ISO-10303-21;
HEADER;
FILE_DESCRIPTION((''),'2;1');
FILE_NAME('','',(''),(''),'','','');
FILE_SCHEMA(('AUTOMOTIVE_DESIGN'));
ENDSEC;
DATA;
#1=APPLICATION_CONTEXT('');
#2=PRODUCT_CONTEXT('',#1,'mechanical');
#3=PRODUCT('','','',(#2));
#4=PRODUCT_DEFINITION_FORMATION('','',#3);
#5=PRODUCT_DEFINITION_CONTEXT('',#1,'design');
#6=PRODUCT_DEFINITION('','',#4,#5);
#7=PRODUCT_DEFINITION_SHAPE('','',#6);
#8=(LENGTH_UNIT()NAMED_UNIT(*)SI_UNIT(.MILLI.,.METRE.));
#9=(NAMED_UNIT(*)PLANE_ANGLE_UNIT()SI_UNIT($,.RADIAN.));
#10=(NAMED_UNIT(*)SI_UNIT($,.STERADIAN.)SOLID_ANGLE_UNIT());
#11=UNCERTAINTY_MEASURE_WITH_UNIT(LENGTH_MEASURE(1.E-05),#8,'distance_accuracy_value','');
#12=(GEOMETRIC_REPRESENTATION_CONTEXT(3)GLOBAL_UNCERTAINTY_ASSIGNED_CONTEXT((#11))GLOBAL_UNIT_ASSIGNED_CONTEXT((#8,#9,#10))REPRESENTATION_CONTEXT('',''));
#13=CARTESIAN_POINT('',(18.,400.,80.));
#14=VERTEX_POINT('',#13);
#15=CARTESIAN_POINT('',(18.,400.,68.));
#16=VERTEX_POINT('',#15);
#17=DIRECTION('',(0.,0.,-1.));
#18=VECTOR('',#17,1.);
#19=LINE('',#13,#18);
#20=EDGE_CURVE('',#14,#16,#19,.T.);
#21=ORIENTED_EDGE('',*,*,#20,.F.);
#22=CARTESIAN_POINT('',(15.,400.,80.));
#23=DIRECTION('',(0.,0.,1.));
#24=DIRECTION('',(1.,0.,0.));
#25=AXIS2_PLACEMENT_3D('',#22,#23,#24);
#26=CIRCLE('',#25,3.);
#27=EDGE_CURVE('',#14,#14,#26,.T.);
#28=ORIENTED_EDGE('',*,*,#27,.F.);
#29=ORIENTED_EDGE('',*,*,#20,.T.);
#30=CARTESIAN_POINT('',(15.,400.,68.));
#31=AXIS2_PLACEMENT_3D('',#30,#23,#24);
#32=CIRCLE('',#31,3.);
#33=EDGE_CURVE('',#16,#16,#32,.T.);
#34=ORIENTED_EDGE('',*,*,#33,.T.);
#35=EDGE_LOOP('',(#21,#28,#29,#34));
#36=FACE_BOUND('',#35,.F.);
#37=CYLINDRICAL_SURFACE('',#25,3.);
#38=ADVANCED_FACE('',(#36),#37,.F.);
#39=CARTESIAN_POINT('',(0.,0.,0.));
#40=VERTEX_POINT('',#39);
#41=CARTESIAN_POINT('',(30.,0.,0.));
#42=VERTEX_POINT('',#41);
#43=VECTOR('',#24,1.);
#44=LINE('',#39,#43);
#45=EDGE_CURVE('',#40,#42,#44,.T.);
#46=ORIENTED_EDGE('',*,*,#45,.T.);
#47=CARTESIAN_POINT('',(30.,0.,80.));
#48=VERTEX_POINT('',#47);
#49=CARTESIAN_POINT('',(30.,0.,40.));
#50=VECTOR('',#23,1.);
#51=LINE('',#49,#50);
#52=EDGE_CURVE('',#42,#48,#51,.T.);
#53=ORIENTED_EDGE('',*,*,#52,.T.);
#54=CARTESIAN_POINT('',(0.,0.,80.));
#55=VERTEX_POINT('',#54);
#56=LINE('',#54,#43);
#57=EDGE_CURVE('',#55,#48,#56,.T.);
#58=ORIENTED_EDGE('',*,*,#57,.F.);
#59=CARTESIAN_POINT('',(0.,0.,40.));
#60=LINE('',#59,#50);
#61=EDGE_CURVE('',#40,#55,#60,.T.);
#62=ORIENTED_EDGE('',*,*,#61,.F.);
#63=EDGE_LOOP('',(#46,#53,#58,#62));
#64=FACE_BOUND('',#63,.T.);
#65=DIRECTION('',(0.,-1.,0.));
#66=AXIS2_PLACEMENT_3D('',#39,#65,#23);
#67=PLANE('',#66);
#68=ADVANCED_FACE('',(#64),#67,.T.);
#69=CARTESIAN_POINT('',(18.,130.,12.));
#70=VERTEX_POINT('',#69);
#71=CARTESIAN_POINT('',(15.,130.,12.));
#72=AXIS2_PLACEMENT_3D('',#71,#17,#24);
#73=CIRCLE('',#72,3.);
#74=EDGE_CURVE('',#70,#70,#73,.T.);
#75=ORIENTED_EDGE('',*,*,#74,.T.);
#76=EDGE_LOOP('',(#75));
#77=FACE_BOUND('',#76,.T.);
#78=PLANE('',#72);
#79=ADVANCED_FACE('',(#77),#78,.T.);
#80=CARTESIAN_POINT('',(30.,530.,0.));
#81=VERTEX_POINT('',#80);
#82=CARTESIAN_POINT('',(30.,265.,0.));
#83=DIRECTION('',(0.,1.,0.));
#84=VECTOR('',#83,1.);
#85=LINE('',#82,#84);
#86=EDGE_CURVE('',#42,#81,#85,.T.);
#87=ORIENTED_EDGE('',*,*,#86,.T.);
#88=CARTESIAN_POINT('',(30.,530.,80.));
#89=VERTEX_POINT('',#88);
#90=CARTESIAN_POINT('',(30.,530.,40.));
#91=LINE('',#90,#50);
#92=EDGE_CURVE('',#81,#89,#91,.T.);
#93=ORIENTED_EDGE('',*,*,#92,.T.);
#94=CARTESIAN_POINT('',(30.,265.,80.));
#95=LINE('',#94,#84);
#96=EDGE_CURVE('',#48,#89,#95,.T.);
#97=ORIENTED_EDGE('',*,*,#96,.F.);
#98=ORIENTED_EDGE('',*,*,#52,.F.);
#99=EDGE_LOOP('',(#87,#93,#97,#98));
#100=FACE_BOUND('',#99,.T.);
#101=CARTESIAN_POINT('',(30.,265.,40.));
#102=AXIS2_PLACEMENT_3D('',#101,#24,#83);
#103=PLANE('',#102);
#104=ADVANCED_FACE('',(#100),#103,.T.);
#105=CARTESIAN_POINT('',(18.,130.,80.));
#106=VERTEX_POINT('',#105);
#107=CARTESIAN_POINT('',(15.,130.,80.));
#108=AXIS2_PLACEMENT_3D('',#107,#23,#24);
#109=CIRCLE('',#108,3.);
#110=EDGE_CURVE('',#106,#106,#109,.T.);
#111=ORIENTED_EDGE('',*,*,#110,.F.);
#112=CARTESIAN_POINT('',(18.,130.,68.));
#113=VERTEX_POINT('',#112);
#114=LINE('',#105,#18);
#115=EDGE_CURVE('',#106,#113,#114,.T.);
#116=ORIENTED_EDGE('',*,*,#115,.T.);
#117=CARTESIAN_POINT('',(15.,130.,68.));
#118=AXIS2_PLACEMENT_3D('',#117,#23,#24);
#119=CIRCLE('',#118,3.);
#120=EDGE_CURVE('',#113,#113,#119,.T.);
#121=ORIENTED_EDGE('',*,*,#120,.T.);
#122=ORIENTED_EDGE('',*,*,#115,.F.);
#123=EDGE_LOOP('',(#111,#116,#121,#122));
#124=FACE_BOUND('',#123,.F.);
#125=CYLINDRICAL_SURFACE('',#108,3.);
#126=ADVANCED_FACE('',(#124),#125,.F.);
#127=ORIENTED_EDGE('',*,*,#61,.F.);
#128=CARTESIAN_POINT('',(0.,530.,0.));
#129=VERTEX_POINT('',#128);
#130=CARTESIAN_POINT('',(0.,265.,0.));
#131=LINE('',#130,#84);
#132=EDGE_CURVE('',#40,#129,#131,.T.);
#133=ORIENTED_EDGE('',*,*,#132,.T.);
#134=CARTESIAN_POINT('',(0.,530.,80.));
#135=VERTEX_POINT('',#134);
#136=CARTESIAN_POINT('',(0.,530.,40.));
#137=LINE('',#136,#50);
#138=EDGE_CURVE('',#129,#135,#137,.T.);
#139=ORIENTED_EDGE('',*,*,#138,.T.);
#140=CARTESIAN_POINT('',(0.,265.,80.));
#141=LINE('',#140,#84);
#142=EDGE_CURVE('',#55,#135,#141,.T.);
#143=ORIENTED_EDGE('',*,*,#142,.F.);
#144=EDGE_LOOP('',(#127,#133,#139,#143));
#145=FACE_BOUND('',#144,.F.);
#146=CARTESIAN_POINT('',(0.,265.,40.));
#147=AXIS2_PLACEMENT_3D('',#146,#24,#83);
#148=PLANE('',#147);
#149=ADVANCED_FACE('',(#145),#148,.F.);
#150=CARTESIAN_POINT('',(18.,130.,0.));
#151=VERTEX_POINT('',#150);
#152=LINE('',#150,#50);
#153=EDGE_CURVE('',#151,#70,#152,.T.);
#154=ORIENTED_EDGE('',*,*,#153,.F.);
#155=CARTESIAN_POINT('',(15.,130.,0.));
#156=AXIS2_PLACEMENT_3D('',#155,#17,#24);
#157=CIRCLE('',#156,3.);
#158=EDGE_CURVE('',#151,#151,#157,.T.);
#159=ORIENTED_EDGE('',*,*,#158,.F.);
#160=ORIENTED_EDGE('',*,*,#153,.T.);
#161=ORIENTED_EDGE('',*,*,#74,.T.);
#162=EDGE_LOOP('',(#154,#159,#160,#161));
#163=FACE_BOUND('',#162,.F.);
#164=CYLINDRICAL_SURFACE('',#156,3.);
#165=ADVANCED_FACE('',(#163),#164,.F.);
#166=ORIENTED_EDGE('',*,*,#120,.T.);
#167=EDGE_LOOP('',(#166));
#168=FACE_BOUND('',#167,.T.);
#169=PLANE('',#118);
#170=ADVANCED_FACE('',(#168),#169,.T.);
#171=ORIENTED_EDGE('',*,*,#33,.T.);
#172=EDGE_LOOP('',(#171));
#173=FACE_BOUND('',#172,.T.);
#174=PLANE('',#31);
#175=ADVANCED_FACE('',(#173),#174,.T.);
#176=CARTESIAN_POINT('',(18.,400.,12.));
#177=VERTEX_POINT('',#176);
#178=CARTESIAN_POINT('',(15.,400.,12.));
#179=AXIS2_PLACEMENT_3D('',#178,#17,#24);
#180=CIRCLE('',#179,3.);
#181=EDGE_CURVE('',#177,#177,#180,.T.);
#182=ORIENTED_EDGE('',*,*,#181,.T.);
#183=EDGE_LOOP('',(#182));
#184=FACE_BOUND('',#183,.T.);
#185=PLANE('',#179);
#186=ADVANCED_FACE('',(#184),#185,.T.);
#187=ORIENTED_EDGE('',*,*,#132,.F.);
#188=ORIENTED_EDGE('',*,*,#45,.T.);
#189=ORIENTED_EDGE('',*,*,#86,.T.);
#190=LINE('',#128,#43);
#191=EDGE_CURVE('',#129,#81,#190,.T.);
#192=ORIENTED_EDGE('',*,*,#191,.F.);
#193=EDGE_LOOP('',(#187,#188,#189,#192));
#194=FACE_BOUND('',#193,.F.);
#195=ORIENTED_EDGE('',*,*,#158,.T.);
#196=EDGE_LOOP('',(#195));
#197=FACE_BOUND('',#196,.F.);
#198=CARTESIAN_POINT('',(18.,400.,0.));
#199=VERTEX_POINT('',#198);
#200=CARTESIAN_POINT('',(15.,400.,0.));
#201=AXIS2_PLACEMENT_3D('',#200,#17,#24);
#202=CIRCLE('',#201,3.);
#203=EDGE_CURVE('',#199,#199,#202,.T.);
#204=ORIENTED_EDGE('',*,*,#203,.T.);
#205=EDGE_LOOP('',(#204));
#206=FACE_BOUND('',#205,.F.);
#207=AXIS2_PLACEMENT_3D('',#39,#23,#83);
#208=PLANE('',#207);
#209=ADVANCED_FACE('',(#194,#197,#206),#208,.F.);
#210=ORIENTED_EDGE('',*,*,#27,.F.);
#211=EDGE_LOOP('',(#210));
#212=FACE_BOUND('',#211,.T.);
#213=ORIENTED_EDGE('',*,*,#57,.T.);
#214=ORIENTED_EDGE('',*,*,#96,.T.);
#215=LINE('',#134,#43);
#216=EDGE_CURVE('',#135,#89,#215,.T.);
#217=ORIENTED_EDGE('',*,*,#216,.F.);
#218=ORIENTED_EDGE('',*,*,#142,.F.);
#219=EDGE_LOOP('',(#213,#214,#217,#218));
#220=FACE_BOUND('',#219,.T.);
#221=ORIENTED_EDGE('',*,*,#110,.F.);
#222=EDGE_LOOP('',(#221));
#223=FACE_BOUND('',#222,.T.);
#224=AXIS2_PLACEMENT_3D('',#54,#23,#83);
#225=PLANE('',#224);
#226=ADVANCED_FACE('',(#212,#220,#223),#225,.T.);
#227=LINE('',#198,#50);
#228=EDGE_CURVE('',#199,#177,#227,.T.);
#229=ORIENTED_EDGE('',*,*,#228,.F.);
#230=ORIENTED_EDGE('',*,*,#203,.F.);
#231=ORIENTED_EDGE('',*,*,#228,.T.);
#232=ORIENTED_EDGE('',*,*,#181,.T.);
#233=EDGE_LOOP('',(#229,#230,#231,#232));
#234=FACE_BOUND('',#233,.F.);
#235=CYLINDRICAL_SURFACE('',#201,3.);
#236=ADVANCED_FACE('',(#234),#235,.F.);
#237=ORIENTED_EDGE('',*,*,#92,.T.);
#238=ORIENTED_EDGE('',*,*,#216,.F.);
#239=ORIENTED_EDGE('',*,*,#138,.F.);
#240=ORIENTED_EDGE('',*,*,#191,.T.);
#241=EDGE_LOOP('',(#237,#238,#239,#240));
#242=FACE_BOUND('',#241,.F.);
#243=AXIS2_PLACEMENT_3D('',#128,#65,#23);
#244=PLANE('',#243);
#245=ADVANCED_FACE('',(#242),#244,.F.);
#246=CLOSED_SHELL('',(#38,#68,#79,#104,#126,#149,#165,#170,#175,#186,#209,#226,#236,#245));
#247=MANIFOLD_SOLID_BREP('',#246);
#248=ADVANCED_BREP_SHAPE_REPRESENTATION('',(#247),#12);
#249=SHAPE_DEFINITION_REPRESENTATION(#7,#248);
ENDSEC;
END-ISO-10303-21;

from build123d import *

# Parameters (mm, degrees)
F0_W     = 530
F0_H     = 80
F1_DEPTH = 30
F2_R     = 3
F3_DEPTH = 12
F4_R     = 3
F5_DEPTH = 12
F6_R     = 3
F7_DEPTH = 12
F8_R     = 3
F9_DEPTH = 12


with BuildPart() as f1:
    # F0 (on Right) → F1 (new body)
    with BuildSketch(Plane.YZ):
        with Locations((265, 40)):
            Rectangle(F0_W, F0_H)
    extrude(amount=F1_DEPTH)

    # F2 (on face) → F3 (cut)
    with BuildSketch(Plane(origin=(0, 0, 0), x_dir=(1, 0, 0), z_dir=(0, 0, -1))):
        with Locations((15, -130)):
            Circle(F2_R)
    extrude(amount=-F3_DEPTH, mode=Mode.SUBTRACT)

    # F4 (on face) → F5 (cut)
    with BuildSketch(Plane.XY.offset(80)):
        with Locations((15, 130)):
            Circle(F4_R)
    extrude(amount=-F5_DEPTH, mode=Mode.SUBTRACT)

    # F6 (on face) → F7 (cut)
    with BuildSketch(Plane(origin=(0, 0, 0), x_dir=(1, 0, 0), z_dir=(0, 0, -1))):
        with Locations((15, -400)):
            Circle(F6_R)
    extrude(amount=-F7_DEPTH, mode=Mode.SUBTRACT)

    # F8 (on face) → F9 (cut)
    with BuildSketch(Plane.XY.offset(80)):
        with Locations((15, 400)):
            Circle(F8_R)
    extrude(amount=-F9_DEPTH, mode=Mode.SUBTRACT)


solid = f1.part
